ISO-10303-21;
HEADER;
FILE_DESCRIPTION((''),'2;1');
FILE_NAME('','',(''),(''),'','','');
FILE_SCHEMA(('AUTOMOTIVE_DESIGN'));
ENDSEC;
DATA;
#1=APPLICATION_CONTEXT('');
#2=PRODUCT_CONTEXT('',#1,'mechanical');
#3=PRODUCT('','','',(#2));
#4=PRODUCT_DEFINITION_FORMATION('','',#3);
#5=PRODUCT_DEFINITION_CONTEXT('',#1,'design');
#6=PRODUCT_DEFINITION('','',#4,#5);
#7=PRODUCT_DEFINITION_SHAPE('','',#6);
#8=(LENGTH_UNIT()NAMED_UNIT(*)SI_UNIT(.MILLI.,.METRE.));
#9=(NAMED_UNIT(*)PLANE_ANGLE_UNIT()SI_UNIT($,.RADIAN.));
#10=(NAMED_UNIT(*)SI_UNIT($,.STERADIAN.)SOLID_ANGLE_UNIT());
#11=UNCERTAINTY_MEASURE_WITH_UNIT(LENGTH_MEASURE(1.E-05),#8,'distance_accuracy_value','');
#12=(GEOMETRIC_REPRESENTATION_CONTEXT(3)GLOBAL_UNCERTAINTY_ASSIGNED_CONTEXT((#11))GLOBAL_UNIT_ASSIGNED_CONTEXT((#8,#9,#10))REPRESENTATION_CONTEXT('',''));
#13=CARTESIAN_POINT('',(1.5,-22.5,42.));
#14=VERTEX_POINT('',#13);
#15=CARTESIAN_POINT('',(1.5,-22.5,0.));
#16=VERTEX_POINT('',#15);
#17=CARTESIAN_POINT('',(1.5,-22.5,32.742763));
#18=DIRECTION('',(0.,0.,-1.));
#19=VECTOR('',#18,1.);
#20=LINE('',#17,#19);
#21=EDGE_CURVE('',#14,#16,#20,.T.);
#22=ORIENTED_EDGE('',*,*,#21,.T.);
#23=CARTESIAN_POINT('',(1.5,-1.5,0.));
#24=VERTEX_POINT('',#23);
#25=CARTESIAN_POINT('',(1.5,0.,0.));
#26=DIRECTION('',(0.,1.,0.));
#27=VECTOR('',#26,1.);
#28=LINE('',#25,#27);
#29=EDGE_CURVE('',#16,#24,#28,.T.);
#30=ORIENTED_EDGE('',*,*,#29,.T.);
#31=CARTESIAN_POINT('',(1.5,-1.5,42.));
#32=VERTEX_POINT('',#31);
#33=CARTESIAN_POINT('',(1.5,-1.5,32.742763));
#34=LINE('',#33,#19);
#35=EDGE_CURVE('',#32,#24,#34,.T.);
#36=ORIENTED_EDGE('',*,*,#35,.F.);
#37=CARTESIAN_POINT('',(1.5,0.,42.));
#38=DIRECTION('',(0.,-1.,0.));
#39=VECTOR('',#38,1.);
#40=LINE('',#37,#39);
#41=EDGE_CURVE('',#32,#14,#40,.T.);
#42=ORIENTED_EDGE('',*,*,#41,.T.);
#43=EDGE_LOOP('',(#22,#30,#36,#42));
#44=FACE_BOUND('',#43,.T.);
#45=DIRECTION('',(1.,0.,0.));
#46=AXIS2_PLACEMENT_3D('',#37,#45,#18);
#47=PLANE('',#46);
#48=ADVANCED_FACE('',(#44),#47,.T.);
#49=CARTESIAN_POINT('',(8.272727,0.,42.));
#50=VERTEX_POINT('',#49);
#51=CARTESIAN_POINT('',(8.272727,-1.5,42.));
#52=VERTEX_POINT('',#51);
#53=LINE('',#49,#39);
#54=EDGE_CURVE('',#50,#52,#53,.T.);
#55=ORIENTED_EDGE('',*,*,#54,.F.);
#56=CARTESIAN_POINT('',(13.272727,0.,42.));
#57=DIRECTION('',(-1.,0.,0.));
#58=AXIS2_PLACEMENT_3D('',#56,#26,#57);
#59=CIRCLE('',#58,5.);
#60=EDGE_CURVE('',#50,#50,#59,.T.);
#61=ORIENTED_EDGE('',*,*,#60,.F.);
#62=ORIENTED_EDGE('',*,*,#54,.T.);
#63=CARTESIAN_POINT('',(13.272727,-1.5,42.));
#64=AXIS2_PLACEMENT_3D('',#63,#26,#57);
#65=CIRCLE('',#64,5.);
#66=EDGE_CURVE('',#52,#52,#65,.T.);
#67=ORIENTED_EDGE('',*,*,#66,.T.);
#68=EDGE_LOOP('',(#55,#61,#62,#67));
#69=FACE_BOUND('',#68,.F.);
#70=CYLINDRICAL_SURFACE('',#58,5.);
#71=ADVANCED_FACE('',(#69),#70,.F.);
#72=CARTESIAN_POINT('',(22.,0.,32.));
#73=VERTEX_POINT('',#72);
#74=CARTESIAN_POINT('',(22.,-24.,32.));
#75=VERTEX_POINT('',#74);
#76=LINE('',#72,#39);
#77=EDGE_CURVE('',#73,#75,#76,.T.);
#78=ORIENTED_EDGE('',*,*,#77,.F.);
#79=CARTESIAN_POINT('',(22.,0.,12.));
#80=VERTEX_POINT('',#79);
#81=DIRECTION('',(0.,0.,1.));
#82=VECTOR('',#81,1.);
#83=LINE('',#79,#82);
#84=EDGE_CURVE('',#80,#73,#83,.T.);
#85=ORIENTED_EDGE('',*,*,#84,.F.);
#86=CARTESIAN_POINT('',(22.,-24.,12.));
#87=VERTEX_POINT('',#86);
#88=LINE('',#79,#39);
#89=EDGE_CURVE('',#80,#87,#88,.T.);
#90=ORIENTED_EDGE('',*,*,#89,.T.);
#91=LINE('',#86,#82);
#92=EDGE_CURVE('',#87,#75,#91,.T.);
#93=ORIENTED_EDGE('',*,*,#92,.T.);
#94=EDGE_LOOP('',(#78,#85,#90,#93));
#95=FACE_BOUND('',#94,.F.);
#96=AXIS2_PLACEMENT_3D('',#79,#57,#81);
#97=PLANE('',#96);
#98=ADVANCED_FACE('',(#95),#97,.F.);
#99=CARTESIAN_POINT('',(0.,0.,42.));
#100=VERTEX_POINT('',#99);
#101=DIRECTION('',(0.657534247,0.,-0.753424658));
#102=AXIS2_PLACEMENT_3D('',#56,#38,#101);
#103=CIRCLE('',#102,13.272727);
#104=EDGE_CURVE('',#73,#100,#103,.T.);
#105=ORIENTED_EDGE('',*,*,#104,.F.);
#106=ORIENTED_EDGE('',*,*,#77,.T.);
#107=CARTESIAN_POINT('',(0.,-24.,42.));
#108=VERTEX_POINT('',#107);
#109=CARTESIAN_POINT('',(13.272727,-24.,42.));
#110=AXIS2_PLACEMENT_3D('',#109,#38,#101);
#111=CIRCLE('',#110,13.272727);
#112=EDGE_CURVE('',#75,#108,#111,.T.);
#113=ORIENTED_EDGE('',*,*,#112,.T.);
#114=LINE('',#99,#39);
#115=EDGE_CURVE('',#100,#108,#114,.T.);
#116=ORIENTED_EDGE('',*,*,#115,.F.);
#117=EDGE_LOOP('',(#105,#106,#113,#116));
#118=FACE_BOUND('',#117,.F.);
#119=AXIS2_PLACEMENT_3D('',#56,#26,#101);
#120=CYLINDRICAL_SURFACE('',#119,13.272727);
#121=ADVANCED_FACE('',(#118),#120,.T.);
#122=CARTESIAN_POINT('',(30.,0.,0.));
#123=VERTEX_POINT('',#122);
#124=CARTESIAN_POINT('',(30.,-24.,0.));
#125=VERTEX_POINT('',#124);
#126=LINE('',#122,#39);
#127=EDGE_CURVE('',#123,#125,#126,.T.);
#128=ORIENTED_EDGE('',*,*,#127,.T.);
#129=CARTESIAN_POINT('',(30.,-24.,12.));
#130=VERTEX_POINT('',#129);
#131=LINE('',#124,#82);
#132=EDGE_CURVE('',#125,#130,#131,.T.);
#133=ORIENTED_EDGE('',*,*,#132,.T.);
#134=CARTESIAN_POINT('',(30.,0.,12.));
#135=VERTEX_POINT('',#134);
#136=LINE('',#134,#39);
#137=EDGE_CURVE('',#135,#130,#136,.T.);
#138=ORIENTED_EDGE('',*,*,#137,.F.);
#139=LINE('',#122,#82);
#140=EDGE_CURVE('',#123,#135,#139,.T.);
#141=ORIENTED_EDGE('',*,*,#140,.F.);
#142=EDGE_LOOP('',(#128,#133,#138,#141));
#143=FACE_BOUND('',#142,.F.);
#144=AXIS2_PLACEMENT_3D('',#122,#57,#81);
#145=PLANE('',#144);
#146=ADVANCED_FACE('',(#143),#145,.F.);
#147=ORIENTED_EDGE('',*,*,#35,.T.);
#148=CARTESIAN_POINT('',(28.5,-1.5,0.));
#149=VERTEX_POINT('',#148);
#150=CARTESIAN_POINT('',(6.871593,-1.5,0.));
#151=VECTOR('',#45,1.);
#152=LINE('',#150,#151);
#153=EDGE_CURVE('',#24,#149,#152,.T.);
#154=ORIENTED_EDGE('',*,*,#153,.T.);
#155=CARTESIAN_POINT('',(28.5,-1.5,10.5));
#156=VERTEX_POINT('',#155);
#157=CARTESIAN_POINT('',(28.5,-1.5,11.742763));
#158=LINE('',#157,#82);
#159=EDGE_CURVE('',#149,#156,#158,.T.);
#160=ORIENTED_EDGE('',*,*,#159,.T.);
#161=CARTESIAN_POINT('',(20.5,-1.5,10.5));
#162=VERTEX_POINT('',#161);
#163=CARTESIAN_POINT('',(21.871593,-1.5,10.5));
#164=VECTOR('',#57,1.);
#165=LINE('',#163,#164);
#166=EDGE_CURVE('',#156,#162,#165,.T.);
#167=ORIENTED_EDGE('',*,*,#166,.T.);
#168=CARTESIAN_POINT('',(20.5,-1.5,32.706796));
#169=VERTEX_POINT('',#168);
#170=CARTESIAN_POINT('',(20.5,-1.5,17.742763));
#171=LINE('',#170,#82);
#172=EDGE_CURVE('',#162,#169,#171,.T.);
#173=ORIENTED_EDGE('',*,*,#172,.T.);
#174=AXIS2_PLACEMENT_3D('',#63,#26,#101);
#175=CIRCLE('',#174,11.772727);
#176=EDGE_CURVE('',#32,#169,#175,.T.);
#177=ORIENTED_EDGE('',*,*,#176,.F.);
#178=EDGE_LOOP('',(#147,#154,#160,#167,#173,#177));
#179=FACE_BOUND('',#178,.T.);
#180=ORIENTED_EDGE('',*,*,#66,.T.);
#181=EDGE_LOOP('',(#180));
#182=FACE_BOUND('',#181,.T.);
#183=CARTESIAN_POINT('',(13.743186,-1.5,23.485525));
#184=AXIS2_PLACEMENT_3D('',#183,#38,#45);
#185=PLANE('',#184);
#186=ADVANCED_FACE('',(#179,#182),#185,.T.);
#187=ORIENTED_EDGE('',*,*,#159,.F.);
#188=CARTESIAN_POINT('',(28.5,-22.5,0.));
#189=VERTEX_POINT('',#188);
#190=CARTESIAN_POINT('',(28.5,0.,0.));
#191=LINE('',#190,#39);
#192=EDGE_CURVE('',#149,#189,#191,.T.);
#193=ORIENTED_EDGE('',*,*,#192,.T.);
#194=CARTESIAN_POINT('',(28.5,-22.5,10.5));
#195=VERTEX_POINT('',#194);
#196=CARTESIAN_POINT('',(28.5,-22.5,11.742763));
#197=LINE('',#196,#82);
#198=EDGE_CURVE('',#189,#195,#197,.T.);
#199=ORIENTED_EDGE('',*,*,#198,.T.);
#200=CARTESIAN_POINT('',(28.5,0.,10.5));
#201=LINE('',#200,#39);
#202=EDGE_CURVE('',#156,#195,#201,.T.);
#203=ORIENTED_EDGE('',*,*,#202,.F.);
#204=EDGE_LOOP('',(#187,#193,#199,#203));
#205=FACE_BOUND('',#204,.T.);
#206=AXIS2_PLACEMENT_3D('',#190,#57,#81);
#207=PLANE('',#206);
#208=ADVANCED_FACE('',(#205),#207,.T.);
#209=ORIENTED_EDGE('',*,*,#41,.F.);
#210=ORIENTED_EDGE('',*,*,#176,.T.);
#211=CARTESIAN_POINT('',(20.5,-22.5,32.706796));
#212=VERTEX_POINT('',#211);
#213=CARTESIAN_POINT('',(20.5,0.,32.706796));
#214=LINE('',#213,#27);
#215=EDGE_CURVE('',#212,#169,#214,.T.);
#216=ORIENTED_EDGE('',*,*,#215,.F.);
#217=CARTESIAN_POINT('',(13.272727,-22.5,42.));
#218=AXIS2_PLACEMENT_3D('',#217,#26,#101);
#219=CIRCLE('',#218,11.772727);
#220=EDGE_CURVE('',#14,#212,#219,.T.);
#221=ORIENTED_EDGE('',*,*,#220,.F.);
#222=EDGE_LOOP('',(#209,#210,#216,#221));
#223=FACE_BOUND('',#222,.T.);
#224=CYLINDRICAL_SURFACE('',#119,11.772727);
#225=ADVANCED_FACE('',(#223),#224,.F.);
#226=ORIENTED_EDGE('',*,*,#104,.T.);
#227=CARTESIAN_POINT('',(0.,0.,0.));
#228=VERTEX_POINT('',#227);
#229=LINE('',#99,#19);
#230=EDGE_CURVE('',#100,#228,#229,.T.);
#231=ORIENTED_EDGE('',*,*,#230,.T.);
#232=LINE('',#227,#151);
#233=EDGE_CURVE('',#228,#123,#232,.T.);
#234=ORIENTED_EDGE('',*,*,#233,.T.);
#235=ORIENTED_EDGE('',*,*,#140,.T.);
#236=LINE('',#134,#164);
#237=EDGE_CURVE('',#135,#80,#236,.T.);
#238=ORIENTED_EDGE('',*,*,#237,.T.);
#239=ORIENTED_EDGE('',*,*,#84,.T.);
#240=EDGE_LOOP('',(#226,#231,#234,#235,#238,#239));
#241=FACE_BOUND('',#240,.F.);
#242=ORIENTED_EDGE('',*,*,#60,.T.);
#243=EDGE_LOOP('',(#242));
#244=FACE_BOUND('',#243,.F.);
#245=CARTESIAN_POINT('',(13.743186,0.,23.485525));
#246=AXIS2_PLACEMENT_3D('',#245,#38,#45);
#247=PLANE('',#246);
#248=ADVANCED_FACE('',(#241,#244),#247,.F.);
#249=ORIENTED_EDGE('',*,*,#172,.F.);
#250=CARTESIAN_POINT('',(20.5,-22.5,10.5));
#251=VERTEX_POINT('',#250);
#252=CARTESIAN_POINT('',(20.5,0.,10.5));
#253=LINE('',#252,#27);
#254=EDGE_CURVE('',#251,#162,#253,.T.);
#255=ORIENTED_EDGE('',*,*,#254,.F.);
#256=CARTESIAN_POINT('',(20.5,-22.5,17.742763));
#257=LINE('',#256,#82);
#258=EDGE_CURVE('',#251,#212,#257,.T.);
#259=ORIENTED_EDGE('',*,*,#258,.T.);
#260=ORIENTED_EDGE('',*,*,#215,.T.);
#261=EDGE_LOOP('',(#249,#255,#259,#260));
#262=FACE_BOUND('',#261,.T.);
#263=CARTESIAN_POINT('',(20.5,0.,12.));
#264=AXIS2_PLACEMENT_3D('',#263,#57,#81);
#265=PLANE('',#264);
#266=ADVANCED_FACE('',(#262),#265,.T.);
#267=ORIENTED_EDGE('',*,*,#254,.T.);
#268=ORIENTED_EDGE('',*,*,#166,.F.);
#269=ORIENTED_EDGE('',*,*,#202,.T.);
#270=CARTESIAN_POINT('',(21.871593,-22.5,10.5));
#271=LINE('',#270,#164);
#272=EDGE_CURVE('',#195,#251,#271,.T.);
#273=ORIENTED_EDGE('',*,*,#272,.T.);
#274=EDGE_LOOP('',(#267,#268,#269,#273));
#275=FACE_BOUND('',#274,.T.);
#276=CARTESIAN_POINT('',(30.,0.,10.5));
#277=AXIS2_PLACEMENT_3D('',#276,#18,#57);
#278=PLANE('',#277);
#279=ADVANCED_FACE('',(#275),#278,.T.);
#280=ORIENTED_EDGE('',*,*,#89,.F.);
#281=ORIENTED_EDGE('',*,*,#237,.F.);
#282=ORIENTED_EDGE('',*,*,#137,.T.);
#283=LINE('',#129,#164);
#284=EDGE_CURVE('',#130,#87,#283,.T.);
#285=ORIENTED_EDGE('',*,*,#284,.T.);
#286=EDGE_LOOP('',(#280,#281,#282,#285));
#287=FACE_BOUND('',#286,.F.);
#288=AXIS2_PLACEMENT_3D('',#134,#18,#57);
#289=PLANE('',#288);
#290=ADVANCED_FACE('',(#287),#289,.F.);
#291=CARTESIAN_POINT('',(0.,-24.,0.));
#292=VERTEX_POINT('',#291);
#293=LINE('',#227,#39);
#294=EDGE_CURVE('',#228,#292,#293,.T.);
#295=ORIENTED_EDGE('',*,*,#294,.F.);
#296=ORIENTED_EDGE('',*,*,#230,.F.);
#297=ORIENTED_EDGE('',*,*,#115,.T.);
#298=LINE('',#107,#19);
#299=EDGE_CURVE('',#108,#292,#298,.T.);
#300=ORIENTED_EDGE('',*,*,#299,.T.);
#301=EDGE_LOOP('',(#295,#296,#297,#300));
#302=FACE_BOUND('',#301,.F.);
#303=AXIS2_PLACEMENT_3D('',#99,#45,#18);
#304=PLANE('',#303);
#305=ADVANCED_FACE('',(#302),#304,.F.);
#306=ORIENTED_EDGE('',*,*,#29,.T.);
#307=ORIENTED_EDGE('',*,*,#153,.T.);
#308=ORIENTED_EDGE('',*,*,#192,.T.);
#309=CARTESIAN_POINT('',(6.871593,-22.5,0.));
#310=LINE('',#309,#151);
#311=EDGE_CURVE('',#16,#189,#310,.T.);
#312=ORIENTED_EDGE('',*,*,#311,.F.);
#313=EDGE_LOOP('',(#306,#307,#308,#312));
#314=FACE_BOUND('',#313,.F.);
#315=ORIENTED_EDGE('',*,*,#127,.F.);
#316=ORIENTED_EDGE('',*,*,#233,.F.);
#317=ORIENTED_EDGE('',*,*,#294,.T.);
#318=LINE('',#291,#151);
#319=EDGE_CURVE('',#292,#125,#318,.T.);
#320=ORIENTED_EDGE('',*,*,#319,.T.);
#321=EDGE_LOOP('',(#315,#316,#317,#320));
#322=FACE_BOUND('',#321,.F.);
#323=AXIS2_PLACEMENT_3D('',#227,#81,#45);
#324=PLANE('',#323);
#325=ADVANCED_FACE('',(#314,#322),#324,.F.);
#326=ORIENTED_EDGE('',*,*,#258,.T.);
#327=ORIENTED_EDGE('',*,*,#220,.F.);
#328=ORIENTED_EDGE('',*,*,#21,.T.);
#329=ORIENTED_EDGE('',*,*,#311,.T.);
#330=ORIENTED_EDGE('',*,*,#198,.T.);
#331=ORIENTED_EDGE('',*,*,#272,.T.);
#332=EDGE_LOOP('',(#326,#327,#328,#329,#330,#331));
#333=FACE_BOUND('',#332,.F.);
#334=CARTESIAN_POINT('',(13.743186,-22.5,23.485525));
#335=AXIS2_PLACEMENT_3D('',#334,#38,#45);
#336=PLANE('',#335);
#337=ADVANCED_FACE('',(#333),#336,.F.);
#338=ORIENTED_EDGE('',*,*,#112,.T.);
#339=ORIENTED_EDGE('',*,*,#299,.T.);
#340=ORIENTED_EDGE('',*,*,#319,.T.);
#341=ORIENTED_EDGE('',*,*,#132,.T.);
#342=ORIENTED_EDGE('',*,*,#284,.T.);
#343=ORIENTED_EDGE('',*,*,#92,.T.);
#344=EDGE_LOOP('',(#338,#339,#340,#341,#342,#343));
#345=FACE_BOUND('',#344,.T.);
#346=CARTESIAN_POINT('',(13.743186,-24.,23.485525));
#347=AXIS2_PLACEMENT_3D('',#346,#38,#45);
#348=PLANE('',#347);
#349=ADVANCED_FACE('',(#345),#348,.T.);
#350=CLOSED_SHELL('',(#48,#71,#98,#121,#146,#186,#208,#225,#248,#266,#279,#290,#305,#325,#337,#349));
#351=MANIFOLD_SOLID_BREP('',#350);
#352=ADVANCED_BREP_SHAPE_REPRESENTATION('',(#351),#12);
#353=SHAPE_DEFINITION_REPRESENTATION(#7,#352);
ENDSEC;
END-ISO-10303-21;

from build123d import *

# Parameters (mm, degrees)
F1_DEPTH = 24
F2_T     = -1.5
F3_R     = 5
F4_DEPTH = 5


with BuildPart() as f1:
    # F0 (on Front) → F1 (new body)
    with BuildSketch(Plane.XZ):
        with BuildLine():
            Line((0, 42), (0, 0))
            Line((0, 0), (30, 0))
            Line((30, 0), (30, 12))
            Line((30, 12), (22, 12))
            Line((22, 12), (22, 32))
            ThreePointArc((22, 32), (18.7650208971, 54.0830459736), (0, 42))
        make_face()
    extrude(amount=F1_DEPTH)

    # F2
    f2_openings = [f1.faces().sort_by_distance(p)[0] for p in [
        (15, -12, 0),
    ]]
    offset(amount=F2_T, openings=f2_openings, kind=Kind.INTERSECTION)

    # F3 (on face) → F4 (cut)
    with BuildSketch(Plane(origin=(0, 0, 0), x_dir=(-1, 0, 0), z_dir=(0, 1, 0))):
        with Locations((-13.2727272727, 42)):
            Circle(F3_R)
    extrude(amount=-F4_DEPTH, mode=Mode.SUBTRACT)


solid = f1.part
